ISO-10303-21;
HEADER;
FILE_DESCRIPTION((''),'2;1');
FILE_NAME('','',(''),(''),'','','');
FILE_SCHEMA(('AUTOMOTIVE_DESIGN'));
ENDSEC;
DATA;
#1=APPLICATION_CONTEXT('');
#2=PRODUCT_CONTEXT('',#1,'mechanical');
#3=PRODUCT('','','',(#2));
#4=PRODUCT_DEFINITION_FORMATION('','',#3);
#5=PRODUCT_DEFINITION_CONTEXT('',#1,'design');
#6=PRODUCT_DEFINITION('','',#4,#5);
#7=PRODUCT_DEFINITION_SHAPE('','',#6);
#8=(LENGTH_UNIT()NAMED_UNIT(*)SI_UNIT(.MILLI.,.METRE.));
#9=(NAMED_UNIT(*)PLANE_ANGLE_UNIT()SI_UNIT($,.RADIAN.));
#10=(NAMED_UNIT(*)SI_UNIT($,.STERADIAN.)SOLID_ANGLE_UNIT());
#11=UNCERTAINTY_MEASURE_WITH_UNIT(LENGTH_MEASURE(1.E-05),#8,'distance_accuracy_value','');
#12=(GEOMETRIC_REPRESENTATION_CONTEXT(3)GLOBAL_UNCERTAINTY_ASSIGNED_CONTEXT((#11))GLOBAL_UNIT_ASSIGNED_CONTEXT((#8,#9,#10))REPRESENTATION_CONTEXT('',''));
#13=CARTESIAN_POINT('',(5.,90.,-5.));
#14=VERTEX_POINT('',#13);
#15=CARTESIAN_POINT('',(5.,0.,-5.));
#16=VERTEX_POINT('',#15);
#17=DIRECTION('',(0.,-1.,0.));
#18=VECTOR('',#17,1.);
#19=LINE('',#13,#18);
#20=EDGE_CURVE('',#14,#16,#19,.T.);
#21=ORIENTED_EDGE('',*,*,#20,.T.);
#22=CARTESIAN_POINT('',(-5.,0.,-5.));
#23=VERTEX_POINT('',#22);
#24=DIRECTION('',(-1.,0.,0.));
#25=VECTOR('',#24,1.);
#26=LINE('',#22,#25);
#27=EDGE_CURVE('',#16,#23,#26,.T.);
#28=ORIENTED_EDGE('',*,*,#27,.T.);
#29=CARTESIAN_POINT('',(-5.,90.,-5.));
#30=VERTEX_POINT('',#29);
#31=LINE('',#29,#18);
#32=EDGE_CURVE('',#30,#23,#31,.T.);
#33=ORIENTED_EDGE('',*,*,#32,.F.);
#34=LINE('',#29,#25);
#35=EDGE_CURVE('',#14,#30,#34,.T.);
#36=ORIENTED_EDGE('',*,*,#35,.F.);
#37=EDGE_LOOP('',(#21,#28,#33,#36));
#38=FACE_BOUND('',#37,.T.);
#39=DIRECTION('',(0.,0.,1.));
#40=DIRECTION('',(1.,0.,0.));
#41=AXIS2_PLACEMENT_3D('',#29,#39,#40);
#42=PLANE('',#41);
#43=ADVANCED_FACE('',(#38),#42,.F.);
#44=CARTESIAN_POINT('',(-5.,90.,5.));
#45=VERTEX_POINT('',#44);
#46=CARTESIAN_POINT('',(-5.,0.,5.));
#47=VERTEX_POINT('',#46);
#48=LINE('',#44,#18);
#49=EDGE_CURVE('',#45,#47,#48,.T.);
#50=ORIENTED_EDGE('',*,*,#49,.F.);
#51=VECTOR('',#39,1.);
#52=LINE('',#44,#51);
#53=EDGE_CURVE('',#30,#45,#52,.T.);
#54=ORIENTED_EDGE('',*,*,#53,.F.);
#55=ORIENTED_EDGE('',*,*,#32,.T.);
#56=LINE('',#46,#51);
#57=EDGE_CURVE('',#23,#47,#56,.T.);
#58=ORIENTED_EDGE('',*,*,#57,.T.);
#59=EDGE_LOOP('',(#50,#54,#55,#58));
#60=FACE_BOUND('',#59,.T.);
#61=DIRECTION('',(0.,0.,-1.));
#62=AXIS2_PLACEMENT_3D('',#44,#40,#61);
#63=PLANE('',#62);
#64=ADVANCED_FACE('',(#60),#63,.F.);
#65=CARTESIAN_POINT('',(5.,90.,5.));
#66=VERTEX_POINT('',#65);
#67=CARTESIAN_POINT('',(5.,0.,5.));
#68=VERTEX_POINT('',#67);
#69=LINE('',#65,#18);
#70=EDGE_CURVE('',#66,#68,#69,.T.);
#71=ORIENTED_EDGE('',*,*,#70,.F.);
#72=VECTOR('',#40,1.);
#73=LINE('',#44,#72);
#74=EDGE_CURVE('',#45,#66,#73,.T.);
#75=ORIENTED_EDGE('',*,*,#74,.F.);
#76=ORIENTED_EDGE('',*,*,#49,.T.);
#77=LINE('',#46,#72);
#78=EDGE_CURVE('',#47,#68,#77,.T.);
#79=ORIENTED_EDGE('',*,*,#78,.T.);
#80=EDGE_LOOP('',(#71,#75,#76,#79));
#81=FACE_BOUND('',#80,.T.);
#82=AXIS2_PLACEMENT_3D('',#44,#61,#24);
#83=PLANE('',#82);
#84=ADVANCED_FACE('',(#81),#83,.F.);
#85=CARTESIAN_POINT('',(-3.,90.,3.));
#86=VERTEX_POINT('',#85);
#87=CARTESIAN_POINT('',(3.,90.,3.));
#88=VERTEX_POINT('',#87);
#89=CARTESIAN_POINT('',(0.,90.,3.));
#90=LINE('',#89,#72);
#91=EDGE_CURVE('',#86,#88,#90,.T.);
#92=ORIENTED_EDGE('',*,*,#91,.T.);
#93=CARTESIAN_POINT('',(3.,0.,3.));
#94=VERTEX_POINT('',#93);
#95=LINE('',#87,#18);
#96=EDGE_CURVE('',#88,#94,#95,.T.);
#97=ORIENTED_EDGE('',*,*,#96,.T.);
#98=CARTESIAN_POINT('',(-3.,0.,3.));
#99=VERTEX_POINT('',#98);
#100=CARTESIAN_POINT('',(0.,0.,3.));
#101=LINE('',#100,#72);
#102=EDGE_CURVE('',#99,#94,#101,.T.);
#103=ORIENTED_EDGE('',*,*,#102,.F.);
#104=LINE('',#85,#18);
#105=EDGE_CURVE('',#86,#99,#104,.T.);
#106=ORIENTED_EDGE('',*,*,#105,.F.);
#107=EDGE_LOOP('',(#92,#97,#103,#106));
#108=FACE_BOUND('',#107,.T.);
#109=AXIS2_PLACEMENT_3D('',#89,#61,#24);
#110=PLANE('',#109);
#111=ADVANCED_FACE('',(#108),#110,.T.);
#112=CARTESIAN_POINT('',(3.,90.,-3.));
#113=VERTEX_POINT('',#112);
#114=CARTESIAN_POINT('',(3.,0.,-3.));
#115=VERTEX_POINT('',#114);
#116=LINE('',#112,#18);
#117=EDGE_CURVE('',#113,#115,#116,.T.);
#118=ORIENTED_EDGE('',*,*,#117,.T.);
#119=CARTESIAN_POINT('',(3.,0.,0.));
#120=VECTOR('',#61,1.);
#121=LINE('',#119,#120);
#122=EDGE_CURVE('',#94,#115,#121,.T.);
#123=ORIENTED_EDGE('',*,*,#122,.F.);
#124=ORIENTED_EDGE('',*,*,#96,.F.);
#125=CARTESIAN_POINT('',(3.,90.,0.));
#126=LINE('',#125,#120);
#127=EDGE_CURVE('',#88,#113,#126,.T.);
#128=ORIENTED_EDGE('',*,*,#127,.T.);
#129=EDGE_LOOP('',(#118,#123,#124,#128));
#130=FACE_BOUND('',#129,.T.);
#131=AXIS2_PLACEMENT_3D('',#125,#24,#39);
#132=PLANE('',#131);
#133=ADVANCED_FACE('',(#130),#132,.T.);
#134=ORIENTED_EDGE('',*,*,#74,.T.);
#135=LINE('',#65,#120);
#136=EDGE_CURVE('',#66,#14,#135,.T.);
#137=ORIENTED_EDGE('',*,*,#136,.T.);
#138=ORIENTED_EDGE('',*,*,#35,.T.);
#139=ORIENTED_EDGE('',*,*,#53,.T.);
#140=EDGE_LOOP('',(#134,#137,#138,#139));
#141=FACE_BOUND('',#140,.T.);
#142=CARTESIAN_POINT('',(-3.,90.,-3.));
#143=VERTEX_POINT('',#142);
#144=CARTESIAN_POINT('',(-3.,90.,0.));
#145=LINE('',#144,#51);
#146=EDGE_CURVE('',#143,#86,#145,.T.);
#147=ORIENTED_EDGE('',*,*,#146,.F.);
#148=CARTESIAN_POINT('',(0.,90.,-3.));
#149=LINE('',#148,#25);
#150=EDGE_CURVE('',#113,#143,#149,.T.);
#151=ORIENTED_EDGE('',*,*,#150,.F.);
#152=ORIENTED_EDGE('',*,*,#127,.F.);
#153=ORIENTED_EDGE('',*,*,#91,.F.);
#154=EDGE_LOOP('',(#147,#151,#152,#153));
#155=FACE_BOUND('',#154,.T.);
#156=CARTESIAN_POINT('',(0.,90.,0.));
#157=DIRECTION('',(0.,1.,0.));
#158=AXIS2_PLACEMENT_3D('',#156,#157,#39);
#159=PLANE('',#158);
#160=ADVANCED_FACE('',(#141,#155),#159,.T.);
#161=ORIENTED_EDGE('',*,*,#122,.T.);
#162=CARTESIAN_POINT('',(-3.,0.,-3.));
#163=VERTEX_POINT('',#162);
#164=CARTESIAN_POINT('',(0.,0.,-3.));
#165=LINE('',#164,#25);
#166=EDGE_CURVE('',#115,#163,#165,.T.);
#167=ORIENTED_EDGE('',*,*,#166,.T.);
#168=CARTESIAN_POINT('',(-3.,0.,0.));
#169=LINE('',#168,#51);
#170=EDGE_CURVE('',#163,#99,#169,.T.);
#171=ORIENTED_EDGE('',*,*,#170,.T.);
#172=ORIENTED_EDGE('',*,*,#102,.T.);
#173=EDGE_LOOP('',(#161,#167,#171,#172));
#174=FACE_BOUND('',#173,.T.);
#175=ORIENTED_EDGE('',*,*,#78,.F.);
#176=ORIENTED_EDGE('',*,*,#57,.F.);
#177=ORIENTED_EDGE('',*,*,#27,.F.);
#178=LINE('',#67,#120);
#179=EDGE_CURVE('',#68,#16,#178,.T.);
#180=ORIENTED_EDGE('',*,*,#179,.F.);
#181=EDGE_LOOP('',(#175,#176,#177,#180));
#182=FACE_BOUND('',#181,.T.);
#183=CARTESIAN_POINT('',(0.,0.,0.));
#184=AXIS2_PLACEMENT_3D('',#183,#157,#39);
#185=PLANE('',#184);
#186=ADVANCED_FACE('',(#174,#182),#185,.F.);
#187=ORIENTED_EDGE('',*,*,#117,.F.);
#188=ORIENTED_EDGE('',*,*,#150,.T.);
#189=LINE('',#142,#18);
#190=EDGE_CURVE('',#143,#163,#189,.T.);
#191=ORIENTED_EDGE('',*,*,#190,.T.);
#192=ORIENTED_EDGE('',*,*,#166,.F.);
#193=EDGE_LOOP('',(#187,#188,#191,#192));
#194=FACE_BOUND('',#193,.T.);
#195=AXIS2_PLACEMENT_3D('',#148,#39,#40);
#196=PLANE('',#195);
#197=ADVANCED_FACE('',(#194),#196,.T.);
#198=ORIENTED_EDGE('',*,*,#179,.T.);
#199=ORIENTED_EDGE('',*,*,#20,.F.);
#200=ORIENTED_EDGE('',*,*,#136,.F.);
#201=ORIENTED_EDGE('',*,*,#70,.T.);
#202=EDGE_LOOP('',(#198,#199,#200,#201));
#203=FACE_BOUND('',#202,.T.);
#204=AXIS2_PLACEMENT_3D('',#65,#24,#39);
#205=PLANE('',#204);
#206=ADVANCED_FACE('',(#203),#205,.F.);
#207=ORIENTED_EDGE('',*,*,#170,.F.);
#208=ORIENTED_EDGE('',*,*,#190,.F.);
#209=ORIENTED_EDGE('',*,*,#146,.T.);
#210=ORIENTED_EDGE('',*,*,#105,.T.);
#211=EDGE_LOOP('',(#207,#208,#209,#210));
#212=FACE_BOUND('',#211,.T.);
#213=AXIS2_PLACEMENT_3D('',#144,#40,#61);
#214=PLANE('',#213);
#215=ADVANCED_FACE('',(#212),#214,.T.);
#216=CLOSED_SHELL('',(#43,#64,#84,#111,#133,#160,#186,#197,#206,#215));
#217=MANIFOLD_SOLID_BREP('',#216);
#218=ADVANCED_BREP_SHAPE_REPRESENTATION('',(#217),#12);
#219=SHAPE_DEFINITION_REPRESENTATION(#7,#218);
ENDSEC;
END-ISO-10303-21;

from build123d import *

# Parameters (mm, degrees)
SKETCH1_W           = 10
SKETCH1_H           = 10
SKETCH1_W_2         = 6
SKETCH1_H_2         = 6
EXTRUDE_THIN1_DEPTH = 90


with BuildPart() as part:
    # Sketch1 → Extrude-Thin1 (new body)
    with BuildSketch(Plane(origin=(0, 0, 0), x_dir=(1, 0, 0), z_dir=(0, 1, 0))):
        Rectangle(SKETCH1_W, SKETCH1_H)
        Rectangle(SKETCH1_W_2, SKETCH1_H_2, mode=Mode.SUBTRACT)
    extrude(amount=EXTRUDE_THIN1_DEPTH)


solid = part.part
